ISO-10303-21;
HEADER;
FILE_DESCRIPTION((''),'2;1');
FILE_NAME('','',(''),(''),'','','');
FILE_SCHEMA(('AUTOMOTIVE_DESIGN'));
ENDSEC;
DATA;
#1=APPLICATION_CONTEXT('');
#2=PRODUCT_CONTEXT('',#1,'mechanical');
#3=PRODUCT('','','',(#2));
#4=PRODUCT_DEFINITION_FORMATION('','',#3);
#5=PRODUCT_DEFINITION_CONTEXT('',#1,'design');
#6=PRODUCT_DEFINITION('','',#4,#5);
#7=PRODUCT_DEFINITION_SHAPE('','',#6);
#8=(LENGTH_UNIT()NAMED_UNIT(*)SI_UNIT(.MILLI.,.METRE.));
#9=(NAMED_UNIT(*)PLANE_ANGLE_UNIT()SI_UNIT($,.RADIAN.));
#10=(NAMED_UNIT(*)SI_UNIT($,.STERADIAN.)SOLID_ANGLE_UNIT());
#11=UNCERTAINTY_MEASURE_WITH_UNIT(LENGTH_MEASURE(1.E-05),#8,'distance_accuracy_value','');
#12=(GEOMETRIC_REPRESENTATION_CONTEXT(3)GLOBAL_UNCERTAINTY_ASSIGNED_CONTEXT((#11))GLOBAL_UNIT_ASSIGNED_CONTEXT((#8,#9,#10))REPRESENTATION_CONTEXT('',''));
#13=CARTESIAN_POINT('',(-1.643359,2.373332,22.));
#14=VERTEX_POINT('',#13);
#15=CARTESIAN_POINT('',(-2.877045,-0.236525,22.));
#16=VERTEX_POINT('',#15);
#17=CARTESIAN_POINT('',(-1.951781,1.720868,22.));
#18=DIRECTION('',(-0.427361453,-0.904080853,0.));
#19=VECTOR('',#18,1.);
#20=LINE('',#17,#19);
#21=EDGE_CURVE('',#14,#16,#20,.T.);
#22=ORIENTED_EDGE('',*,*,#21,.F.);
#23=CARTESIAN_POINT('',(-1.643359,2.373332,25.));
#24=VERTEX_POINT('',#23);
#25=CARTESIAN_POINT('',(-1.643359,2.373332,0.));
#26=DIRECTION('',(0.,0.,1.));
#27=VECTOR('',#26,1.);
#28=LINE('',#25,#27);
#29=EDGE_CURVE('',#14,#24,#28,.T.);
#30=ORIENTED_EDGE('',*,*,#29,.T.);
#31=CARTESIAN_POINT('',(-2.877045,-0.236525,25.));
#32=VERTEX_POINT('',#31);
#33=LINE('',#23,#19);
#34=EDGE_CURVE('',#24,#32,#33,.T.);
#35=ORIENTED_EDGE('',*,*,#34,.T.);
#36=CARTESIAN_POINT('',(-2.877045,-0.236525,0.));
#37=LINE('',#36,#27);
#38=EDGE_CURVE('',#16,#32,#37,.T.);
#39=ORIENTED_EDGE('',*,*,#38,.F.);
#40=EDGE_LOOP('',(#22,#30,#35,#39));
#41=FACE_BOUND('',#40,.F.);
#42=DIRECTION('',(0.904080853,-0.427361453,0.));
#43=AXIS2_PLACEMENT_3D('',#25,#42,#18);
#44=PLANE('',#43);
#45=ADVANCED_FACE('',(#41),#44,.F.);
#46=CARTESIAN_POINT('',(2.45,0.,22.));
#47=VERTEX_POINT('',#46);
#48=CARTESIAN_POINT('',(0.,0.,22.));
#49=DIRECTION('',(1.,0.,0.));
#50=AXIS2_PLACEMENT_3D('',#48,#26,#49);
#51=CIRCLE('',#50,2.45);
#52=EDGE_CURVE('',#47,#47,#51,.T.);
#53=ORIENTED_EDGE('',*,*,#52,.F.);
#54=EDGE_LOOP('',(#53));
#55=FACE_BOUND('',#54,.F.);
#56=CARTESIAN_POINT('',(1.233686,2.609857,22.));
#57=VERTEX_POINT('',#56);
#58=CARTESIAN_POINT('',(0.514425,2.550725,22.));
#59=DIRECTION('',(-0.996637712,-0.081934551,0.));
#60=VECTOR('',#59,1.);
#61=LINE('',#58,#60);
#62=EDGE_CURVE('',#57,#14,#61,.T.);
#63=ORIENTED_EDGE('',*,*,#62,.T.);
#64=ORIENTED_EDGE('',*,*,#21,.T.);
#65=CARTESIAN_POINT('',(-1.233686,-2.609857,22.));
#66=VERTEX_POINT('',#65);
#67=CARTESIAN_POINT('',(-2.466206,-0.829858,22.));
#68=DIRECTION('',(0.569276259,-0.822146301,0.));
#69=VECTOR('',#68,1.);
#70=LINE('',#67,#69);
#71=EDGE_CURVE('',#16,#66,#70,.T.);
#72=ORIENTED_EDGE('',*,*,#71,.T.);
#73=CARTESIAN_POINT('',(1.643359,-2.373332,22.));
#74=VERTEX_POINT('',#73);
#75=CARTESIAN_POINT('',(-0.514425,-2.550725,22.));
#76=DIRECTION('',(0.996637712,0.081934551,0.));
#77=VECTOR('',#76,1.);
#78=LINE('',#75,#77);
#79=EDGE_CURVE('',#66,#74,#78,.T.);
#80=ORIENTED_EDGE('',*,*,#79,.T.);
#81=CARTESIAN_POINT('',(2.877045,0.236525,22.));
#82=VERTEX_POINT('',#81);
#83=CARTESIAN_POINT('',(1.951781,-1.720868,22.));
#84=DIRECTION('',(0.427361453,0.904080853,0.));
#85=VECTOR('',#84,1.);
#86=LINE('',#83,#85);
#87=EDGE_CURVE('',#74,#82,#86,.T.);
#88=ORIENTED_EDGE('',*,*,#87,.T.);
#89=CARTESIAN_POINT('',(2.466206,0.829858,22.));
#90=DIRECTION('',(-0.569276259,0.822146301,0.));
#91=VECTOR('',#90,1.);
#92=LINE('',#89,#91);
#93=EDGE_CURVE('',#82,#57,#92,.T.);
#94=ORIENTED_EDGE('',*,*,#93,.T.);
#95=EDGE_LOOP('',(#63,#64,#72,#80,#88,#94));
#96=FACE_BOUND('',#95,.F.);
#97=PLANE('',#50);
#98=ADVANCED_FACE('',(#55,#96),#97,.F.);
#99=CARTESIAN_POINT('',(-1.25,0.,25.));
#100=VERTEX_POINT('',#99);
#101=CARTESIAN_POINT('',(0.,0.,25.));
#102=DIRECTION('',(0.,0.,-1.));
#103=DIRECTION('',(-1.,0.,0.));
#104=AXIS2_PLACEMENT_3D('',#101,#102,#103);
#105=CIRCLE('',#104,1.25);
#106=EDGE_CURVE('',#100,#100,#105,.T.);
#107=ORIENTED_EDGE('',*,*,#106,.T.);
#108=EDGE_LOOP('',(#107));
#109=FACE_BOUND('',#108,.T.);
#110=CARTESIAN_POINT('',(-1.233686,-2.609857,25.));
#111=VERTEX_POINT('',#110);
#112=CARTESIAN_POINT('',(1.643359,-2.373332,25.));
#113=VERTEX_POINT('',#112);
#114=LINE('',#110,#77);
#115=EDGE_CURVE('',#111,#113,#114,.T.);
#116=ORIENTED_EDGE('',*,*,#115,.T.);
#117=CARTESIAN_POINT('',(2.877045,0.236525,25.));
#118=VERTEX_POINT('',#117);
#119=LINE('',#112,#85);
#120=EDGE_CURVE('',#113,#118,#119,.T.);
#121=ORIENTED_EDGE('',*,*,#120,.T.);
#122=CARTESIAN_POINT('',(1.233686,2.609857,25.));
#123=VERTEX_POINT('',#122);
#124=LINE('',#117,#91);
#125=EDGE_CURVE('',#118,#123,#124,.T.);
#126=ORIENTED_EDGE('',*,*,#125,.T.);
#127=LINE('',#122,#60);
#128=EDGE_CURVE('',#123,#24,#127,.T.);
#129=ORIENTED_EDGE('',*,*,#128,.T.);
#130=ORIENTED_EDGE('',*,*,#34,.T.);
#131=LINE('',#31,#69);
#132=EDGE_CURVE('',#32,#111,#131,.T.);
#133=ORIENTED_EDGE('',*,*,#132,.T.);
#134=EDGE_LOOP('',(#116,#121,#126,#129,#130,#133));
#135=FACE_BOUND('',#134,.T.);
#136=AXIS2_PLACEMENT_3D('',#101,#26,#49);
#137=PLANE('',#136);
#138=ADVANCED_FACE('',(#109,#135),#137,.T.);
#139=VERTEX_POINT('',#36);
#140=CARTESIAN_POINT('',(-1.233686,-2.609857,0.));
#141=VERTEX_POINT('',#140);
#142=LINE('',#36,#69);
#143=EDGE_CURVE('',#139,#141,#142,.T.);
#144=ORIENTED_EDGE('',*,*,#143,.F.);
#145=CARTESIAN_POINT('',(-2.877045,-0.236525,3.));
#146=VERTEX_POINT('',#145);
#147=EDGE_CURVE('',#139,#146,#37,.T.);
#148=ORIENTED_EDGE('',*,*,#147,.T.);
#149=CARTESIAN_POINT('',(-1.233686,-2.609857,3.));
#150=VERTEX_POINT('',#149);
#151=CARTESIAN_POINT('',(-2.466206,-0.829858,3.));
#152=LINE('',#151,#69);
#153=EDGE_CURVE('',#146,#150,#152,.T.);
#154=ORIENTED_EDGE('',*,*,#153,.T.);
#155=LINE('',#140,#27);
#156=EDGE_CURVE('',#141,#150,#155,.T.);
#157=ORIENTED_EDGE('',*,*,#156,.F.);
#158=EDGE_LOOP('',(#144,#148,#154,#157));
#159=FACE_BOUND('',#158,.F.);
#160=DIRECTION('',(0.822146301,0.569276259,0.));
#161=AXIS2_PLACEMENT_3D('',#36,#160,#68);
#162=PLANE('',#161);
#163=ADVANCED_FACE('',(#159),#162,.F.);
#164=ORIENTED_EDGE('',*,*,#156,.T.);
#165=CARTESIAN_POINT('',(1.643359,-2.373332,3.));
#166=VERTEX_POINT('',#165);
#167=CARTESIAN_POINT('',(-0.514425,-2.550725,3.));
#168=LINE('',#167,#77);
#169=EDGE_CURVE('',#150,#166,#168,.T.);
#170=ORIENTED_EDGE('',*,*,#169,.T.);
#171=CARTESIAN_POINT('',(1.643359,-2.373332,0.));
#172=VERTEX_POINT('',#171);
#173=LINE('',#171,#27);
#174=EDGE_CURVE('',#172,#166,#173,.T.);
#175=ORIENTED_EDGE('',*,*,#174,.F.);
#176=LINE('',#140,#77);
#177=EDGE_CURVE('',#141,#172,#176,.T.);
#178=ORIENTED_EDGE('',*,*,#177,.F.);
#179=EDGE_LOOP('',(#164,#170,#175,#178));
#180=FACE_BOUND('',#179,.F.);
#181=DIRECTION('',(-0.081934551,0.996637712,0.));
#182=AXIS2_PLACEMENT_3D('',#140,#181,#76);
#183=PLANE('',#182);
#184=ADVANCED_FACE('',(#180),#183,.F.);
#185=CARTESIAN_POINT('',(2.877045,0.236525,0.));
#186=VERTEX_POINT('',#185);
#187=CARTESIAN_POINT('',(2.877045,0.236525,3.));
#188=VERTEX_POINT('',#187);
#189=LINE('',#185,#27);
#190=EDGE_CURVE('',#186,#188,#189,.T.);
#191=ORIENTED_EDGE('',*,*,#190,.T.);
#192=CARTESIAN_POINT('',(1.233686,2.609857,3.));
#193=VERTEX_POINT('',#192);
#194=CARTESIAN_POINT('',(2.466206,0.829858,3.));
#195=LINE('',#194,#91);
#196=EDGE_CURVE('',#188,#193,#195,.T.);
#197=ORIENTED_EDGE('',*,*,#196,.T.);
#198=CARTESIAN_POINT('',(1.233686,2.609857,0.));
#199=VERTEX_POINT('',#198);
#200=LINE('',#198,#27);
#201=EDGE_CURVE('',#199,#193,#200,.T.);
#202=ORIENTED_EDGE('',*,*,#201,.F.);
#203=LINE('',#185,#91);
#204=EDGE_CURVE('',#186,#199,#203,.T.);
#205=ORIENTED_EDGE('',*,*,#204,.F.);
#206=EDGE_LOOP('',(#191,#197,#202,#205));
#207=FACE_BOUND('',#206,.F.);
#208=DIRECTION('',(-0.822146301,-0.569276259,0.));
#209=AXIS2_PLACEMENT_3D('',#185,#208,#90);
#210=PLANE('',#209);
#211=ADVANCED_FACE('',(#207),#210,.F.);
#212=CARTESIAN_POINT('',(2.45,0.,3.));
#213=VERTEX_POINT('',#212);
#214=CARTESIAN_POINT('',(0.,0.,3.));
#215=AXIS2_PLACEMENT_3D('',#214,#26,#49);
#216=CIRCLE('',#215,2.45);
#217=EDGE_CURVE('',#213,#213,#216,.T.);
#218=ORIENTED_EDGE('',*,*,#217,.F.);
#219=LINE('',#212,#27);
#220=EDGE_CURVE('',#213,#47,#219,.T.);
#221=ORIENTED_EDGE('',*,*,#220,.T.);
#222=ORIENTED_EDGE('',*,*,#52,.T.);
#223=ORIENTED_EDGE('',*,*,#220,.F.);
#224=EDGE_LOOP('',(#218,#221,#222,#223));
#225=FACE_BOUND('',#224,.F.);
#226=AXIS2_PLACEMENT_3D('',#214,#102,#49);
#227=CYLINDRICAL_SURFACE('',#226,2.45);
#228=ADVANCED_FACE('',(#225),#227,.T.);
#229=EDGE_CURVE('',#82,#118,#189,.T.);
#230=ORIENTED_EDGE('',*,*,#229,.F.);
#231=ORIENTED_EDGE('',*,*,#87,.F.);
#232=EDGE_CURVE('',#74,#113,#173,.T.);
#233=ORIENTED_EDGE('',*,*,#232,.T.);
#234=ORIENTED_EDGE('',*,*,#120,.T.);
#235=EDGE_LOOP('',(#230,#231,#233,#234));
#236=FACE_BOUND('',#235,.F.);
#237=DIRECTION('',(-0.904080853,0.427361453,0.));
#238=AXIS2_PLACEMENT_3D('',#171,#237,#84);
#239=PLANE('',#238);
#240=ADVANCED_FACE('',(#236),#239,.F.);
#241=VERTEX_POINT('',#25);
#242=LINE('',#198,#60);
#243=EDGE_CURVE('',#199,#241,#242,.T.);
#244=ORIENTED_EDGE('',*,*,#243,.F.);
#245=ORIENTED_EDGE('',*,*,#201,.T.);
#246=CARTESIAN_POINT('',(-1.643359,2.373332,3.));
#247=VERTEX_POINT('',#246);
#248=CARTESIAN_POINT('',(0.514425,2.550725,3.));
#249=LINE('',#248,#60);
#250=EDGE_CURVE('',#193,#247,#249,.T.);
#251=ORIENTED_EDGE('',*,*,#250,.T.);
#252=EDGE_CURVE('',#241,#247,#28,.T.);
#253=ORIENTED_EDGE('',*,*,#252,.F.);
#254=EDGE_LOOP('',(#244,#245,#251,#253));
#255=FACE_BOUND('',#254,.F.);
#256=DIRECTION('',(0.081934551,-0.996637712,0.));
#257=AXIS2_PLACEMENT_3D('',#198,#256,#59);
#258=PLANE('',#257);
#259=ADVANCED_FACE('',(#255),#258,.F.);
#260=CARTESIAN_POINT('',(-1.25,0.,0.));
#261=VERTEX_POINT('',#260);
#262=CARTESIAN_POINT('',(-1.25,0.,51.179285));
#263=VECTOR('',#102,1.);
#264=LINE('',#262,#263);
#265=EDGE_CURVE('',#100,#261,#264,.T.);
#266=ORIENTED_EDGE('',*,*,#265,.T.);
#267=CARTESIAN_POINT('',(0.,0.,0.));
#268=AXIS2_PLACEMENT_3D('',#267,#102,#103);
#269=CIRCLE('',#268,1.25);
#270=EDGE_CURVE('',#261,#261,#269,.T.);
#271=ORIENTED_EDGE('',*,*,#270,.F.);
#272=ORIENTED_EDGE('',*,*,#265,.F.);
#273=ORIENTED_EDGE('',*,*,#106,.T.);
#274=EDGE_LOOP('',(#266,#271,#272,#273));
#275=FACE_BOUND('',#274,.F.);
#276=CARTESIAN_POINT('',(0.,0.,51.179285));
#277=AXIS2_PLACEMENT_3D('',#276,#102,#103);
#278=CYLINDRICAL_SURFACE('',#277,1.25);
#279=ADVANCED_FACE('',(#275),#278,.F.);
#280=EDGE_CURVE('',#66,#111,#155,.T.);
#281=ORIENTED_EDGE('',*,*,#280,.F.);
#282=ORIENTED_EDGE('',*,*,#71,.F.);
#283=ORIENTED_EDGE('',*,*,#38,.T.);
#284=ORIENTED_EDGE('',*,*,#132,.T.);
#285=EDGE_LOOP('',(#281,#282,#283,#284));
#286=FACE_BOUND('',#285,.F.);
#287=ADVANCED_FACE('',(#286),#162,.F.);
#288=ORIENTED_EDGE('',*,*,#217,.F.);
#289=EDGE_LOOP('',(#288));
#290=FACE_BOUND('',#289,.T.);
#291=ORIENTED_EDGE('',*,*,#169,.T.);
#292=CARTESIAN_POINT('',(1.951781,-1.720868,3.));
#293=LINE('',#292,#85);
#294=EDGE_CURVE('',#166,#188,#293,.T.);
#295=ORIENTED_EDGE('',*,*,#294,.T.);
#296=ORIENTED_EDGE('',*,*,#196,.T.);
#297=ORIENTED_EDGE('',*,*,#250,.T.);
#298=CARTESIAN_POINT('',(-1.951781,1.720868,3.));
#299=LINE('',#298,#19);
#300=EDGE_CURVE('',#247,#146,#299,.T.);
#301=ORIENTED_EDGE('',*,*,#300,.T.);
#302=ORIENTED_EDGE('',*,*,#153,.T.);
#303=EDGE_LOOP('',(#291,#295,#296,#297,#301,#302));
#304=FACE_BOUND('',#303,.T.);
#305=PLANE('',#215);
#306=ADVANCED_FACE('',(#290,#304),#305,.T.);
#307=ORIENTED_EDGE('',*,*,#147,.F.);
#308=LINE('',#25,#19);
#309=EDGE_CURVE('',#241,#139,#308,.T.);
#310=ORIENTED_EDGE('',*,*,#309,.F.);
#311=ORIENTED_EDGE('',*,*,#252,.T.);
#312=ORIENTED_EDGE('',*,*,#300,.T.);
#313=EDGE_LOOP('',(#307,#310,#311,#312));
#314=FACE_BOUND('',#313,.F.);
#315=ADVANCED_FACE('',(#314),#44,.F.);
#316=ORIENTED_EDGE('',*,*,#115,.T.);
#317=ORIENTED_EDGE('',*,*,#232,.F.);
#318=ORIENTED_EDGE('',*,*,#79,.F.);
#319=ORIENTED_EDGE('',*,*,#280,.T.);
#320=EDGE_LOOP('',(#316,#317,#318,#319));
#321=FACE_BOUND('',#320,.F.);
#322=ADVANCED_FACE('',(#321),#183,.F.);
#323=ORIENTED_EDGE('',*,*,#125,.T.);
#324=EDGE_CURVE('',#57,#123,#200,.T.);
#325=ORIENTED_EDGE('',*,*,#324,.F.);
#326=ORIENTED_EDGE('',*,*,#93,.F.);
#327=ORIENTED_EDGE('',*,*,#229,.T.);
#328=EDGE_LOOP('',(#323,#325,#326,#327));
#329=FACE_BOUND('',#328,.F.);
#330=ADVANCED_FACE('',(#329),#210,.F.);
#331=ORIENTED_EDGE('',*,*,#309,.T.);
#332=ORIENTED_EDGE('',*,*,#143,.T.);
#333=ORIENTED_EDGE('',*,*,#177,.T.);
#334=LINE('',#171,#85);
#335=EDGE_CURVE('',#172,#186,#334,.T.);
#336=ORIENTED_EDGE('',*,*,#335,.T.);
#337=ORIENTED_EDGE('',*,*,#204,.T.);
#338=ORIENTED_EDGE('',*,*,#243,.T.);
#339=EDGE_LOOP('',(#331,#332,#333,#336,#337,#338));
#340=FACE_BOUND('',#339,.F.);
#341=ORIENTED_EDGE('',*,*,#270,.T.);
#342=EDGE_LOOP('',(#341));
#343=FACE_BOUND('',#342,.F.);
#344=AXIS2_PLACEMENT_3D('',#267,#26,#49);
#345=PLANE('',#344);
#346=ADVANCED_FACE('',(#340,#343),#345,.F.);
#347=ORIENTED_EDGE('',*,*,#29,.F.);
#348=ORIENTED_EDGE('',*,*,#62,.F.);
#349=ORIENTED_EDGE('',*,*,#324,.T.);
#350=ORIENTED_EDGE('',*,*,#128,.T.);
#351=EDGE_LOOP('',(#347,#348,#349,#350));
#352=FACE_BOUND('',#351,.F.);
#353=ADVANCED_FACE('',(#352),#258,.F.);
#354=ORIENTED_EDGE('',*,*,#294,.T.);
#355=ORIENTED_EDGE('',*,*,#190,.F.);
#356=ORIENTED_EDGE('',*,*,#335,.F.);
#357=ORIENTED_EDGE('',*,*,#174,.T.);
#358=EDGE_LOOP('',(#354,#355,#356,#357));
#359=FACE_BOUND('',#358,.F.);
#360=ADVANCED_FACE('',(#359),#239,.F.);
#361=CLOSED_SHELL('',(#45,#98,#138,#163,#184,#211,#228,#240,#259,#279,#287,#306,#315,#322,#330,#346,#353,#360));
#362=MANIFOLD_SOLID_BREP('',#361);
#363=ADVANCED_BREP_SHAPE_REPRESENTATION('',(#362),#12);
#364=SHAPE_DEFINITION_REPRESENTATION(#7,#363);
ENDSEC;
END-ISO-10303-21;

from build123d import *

# Parameters (mm, degrees)
F1_DEPTH = 25
F3_D     = 2.5
F5_R     = 12.8012424822
F5_R_2   = 2.45
F6_DEPTH = 19


with BuildPart() as f1:
    # F0 (on Top) → F1 (new body)
    with BuildSketch(Plane.XY):
        Polygon((1.643359007, -2.3733319421), (2.877045257, 0.2365246766), (1.2336862499, 2.6098566187), (-1.643359007, 2.3733319421), (-2.877045257, -0.2365246766), (-1.2336862499, -2.6098566187), align=None)
    extrude(amount=F1_DEPTH)

    # F3 (through all)
    with Locations(Plane.XY.offset(25)):
        with Locations((0, 0)):
            Hole(F3_D / 2)


with BuildPart() as f6:
    # F5 (on offset) → F6 (new body)
    with BuildSketch(Plane.XY.offset(3)):
        Circle(F5_R)
        Circle(F5_R_2, mode=Mode.SUBTRACT)
    extrude(amount=F6_DEPTH)


with BuildPart() as f1_1:
    add(f1.part)

    # F7: cut F6
    add(f6.part, mode=Mode.SUBTRACT)


solid = f1_1.part
